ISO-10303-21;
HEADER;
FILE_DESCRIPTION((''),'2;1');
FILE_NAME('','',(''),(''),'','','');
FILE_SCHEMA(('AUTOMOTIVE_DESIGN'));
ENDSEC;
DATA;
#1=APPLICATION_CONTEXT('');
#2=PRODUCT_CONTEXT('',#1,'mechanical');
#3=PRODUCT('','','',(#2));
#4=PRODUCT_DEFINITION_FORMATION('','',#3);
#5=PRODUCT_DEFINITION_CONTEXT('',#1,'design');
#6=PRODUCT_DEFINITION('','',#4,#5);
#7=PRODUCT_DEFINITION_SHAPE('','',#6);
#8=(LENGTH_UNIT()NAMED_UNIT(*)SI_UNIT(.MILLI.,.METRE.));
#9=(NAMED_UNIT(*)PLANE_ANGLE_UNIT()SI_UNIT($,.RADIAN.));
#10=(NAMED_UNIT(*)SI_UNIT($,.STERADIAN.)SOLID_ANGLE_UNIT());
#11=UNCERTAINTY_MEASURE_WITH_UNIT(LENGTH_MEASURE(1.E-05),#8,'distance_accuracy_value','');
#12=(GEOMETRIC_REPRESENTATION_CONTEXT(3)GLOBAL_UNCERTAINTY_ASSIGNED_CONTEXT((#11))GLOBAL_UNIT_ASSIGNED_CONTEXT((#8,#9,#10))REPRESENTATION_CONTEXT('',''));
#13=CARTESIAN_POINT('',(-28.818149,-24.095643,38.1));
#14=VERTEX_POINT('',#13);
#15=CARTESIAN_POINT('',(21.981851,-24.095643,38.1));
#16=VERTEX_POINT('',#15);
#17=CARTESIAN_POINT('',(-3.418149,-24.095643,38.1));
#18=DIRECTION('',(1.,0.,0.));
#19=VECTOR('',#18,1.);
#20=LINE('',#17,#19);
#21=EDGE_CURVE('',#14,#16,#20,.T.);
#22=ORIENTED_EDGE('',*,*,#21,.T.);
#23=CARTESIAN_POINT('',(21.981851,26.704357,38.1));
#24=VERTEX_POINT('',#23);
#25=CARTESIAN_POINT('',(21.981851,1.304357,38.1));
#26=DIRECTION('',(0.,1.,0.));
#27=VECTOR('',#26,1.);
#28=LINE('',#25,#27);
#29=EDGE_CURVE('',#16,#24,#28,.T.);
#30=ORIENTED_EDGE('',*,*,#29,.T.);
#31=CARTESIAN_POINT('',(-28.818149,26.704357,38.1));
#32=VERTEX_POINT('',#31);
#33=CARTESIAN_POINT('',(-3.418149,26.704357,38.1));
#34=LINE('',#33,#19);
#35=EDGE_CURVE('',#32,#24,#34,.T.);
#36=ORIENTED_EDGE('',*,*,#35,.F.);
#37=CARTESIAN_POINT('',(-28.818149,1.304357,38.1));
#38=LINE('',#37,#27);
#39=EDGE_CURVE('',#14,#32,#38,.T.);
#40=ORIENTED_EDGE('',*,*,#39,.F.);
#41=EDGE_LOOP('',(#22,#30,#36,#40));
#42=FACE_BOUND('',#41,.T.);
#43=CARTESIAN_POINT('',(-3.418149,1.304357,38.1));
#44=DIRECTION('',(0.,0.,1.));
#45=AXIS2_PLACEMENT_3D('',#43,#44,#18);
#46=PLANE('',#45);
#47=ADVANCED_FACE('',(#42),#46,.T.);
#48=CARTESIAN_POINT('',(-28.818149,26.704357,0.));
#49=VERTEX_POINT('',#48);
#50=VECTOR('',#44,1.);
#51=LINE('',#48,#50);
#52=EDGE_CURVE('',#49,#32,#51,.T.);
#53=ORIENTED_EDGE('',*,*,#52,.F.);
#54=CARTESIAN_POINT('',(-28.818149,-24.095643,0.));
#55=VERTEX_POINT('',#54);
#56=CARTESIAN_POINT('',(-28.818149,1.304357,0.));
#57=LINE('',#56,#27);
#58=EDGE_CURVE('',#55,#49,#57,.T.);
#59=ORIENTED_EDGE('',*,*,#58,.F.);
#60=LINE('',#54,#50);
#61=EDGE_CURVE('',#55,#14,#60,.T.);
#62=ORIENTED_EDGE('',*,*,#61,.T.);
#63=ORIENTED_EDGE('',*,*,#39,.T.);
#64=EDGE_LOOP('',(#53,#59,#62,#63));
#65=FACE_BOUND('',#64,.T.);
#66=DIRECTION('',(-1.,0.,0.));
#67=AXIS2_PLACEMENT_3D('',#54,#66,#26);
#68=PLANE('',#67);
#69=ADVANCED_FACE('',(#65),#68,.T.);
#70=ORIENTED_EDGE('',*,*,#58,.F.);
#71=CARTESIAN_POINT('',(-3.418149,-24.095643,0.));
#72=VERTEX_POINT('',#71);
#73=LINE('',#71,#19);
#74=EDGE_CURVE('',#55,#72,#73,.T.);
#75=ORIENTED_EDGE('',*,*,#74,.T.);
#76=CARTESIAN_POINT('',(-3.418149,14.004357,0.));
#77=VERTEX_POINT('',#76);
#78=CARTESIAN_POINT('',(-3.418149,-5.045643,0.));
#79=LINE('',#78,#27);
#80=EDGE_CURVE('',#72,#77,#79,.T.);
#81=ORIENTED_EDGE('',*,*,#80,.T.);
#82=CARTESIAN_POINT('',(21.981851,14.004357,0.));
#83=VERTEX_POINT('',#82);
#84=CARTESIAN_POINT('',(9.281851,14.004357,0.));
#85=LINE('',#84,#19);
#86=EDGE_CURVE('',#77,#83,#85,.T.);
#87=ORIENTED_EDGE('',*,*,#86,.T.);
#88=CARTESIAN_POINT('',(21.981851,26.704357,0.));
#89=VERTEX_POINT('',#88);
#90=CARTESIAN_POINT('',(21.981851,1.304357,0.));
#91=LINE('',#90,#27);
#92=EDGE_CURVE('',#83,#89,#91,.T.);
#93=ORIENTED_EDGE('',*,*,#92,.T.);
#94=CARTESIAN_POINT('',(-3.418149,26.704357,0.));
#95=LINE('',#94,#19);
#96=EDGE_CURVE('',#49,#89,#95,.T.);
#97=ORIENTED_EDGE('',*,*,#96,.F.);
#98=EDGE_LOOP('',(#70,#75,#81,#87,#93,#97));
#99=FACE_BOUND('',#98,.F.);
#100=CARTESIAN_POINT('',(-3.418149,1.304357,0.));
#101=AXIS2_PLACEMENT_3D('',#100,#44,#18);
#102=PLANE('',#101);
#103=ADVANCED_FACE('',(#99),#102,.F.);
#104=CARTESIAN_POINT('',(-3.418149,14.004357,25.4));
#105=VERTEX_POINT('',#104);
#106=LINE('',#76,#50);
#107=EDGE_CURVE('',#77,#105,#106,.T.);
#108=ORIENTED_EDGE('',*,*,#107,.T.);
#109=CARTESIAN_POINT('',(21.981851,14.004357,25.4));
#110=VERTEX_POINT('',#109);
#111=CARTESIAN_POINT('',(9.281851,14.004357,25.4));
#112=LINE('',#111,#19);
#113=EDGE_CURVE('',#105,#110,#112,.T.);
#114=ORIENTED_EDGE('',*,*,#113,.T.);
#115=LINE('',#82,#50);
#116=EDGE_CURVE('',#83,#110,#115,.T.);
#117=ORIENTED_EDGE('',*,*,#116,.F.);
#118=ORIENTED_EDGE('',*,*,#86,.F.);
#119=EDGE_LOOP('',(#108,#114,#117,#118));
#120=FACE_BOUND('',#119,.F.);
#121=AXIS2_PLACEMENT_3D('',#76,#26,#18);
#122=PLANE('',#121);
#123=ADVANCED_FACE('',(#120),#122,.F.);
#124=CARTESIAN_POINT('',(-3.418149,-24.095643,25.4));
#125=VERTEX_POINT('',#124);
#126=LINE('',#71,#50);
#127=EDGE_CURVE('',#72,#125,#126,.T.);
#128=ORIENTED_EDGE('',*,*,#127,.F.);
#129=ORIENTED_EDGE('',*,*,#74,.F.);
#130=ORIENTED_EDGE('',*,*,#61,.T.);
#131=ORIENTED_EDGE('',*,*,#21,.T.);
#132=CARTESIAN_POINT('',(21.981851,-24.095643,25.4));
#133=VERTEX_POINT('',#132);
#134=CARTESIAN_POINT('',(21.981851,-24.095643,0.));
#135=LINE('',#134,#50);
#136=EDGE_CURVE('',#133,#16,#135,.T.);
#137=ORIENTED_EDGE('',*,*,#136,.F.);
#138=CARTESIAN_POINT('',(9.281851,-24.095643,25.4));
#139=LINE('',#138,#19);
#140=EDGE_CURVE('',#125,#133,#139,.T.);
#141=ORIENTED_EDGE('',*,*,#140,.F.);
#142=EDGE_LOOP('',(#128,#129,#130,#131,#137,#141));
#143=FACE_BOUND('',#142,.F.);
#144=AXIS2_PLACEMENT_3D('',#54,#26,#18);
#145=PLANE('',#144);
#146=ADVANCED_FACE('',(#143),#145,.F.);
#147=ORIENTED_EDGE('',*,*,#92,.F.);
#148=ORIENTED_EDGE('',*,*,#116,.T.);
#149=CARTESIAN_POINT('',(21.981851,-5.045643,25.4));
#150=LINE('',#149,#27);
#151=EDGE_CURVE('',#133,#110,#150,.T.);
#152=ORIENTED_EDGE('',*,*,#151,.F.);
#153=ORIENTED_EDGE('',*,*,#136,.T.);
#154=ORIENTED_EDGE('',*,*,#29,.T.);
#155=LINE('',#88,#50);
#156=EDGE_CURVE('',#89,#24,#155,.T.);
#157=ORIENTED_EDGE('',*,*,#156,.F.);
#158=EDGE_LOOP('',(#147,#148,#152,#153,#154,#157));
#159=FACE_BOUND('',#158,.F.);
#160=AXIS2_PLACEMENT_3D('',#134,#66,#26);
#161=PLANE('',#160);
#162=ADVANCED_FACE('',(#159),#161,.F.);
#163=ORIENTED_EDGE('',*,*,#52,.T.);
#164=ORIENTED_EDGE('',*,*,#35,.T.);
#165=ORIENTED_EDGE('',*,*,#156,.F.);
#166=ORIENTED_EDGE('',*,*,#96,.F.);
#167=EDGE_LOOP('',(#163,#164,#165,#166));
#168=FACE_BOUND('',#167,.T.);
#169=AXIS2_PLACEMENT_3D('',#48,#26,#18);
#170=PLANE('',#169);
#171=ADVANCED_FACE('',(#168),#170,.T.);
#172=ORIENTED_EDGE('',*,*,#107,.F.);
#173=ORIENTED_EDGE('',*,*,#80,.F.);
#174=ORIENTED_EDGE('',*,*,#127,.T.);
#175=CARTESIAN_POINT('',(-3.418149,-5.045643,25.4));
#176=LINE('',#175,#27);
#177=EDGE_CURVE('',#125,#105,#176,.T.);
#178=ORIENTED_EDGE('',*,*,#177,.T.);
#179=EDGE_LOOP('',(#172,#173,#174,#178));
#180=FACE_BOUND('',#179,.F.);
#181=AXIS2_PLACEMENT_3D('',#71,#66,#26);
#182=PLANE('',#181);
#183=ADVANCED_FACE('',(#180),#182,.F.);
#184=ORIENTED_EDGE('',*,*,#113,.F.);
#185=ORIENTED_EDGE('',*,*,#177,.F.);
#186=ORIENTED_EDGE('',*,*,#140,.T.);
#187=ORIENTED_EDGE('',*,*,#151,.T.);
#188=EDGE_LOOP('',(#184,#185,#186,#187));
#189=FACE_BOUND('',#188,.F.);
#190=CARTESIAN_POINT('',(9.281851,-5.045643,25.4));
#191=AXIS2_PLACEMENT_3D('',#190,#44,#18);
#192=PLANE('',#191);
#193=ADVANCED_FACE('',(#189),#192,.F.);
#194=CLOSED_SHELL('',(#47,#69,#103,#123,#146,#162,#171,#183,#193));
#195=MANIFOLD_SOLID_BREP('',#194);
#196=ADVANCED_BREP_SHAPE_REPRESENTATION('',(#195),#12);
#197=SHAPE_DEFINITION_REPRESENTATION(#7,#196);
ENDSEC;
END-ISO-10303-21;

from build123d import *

# Parameters (mm, degrees)
F0_W     = 50.8
F0_H     = 50.8
F1_DEPTH = 38.1
F2_W     = 25.4
F2_H     = 38.1
F3_DEPTH = 25.4


with BuildPart() as f1:
    # F0 (on Top) → F1 (new body)
    with BuildSketch(Plane.XY):
        with Locations((-3.418149, 1.304357)):
            Rectangle(F0_W, F0_H)
    extrude(amount=F1_DEPTH)

    # F2 (on Top) → F3 (cut)
    with BuildSketch(Plane.XY):
        with Locations((9.281851, -5.045643)):
            Rectangle(F2_W, F2_H)
    extrude(amount=F3_DEPTH, mode=Mode.SUBTRACT)


solid = f1.part
